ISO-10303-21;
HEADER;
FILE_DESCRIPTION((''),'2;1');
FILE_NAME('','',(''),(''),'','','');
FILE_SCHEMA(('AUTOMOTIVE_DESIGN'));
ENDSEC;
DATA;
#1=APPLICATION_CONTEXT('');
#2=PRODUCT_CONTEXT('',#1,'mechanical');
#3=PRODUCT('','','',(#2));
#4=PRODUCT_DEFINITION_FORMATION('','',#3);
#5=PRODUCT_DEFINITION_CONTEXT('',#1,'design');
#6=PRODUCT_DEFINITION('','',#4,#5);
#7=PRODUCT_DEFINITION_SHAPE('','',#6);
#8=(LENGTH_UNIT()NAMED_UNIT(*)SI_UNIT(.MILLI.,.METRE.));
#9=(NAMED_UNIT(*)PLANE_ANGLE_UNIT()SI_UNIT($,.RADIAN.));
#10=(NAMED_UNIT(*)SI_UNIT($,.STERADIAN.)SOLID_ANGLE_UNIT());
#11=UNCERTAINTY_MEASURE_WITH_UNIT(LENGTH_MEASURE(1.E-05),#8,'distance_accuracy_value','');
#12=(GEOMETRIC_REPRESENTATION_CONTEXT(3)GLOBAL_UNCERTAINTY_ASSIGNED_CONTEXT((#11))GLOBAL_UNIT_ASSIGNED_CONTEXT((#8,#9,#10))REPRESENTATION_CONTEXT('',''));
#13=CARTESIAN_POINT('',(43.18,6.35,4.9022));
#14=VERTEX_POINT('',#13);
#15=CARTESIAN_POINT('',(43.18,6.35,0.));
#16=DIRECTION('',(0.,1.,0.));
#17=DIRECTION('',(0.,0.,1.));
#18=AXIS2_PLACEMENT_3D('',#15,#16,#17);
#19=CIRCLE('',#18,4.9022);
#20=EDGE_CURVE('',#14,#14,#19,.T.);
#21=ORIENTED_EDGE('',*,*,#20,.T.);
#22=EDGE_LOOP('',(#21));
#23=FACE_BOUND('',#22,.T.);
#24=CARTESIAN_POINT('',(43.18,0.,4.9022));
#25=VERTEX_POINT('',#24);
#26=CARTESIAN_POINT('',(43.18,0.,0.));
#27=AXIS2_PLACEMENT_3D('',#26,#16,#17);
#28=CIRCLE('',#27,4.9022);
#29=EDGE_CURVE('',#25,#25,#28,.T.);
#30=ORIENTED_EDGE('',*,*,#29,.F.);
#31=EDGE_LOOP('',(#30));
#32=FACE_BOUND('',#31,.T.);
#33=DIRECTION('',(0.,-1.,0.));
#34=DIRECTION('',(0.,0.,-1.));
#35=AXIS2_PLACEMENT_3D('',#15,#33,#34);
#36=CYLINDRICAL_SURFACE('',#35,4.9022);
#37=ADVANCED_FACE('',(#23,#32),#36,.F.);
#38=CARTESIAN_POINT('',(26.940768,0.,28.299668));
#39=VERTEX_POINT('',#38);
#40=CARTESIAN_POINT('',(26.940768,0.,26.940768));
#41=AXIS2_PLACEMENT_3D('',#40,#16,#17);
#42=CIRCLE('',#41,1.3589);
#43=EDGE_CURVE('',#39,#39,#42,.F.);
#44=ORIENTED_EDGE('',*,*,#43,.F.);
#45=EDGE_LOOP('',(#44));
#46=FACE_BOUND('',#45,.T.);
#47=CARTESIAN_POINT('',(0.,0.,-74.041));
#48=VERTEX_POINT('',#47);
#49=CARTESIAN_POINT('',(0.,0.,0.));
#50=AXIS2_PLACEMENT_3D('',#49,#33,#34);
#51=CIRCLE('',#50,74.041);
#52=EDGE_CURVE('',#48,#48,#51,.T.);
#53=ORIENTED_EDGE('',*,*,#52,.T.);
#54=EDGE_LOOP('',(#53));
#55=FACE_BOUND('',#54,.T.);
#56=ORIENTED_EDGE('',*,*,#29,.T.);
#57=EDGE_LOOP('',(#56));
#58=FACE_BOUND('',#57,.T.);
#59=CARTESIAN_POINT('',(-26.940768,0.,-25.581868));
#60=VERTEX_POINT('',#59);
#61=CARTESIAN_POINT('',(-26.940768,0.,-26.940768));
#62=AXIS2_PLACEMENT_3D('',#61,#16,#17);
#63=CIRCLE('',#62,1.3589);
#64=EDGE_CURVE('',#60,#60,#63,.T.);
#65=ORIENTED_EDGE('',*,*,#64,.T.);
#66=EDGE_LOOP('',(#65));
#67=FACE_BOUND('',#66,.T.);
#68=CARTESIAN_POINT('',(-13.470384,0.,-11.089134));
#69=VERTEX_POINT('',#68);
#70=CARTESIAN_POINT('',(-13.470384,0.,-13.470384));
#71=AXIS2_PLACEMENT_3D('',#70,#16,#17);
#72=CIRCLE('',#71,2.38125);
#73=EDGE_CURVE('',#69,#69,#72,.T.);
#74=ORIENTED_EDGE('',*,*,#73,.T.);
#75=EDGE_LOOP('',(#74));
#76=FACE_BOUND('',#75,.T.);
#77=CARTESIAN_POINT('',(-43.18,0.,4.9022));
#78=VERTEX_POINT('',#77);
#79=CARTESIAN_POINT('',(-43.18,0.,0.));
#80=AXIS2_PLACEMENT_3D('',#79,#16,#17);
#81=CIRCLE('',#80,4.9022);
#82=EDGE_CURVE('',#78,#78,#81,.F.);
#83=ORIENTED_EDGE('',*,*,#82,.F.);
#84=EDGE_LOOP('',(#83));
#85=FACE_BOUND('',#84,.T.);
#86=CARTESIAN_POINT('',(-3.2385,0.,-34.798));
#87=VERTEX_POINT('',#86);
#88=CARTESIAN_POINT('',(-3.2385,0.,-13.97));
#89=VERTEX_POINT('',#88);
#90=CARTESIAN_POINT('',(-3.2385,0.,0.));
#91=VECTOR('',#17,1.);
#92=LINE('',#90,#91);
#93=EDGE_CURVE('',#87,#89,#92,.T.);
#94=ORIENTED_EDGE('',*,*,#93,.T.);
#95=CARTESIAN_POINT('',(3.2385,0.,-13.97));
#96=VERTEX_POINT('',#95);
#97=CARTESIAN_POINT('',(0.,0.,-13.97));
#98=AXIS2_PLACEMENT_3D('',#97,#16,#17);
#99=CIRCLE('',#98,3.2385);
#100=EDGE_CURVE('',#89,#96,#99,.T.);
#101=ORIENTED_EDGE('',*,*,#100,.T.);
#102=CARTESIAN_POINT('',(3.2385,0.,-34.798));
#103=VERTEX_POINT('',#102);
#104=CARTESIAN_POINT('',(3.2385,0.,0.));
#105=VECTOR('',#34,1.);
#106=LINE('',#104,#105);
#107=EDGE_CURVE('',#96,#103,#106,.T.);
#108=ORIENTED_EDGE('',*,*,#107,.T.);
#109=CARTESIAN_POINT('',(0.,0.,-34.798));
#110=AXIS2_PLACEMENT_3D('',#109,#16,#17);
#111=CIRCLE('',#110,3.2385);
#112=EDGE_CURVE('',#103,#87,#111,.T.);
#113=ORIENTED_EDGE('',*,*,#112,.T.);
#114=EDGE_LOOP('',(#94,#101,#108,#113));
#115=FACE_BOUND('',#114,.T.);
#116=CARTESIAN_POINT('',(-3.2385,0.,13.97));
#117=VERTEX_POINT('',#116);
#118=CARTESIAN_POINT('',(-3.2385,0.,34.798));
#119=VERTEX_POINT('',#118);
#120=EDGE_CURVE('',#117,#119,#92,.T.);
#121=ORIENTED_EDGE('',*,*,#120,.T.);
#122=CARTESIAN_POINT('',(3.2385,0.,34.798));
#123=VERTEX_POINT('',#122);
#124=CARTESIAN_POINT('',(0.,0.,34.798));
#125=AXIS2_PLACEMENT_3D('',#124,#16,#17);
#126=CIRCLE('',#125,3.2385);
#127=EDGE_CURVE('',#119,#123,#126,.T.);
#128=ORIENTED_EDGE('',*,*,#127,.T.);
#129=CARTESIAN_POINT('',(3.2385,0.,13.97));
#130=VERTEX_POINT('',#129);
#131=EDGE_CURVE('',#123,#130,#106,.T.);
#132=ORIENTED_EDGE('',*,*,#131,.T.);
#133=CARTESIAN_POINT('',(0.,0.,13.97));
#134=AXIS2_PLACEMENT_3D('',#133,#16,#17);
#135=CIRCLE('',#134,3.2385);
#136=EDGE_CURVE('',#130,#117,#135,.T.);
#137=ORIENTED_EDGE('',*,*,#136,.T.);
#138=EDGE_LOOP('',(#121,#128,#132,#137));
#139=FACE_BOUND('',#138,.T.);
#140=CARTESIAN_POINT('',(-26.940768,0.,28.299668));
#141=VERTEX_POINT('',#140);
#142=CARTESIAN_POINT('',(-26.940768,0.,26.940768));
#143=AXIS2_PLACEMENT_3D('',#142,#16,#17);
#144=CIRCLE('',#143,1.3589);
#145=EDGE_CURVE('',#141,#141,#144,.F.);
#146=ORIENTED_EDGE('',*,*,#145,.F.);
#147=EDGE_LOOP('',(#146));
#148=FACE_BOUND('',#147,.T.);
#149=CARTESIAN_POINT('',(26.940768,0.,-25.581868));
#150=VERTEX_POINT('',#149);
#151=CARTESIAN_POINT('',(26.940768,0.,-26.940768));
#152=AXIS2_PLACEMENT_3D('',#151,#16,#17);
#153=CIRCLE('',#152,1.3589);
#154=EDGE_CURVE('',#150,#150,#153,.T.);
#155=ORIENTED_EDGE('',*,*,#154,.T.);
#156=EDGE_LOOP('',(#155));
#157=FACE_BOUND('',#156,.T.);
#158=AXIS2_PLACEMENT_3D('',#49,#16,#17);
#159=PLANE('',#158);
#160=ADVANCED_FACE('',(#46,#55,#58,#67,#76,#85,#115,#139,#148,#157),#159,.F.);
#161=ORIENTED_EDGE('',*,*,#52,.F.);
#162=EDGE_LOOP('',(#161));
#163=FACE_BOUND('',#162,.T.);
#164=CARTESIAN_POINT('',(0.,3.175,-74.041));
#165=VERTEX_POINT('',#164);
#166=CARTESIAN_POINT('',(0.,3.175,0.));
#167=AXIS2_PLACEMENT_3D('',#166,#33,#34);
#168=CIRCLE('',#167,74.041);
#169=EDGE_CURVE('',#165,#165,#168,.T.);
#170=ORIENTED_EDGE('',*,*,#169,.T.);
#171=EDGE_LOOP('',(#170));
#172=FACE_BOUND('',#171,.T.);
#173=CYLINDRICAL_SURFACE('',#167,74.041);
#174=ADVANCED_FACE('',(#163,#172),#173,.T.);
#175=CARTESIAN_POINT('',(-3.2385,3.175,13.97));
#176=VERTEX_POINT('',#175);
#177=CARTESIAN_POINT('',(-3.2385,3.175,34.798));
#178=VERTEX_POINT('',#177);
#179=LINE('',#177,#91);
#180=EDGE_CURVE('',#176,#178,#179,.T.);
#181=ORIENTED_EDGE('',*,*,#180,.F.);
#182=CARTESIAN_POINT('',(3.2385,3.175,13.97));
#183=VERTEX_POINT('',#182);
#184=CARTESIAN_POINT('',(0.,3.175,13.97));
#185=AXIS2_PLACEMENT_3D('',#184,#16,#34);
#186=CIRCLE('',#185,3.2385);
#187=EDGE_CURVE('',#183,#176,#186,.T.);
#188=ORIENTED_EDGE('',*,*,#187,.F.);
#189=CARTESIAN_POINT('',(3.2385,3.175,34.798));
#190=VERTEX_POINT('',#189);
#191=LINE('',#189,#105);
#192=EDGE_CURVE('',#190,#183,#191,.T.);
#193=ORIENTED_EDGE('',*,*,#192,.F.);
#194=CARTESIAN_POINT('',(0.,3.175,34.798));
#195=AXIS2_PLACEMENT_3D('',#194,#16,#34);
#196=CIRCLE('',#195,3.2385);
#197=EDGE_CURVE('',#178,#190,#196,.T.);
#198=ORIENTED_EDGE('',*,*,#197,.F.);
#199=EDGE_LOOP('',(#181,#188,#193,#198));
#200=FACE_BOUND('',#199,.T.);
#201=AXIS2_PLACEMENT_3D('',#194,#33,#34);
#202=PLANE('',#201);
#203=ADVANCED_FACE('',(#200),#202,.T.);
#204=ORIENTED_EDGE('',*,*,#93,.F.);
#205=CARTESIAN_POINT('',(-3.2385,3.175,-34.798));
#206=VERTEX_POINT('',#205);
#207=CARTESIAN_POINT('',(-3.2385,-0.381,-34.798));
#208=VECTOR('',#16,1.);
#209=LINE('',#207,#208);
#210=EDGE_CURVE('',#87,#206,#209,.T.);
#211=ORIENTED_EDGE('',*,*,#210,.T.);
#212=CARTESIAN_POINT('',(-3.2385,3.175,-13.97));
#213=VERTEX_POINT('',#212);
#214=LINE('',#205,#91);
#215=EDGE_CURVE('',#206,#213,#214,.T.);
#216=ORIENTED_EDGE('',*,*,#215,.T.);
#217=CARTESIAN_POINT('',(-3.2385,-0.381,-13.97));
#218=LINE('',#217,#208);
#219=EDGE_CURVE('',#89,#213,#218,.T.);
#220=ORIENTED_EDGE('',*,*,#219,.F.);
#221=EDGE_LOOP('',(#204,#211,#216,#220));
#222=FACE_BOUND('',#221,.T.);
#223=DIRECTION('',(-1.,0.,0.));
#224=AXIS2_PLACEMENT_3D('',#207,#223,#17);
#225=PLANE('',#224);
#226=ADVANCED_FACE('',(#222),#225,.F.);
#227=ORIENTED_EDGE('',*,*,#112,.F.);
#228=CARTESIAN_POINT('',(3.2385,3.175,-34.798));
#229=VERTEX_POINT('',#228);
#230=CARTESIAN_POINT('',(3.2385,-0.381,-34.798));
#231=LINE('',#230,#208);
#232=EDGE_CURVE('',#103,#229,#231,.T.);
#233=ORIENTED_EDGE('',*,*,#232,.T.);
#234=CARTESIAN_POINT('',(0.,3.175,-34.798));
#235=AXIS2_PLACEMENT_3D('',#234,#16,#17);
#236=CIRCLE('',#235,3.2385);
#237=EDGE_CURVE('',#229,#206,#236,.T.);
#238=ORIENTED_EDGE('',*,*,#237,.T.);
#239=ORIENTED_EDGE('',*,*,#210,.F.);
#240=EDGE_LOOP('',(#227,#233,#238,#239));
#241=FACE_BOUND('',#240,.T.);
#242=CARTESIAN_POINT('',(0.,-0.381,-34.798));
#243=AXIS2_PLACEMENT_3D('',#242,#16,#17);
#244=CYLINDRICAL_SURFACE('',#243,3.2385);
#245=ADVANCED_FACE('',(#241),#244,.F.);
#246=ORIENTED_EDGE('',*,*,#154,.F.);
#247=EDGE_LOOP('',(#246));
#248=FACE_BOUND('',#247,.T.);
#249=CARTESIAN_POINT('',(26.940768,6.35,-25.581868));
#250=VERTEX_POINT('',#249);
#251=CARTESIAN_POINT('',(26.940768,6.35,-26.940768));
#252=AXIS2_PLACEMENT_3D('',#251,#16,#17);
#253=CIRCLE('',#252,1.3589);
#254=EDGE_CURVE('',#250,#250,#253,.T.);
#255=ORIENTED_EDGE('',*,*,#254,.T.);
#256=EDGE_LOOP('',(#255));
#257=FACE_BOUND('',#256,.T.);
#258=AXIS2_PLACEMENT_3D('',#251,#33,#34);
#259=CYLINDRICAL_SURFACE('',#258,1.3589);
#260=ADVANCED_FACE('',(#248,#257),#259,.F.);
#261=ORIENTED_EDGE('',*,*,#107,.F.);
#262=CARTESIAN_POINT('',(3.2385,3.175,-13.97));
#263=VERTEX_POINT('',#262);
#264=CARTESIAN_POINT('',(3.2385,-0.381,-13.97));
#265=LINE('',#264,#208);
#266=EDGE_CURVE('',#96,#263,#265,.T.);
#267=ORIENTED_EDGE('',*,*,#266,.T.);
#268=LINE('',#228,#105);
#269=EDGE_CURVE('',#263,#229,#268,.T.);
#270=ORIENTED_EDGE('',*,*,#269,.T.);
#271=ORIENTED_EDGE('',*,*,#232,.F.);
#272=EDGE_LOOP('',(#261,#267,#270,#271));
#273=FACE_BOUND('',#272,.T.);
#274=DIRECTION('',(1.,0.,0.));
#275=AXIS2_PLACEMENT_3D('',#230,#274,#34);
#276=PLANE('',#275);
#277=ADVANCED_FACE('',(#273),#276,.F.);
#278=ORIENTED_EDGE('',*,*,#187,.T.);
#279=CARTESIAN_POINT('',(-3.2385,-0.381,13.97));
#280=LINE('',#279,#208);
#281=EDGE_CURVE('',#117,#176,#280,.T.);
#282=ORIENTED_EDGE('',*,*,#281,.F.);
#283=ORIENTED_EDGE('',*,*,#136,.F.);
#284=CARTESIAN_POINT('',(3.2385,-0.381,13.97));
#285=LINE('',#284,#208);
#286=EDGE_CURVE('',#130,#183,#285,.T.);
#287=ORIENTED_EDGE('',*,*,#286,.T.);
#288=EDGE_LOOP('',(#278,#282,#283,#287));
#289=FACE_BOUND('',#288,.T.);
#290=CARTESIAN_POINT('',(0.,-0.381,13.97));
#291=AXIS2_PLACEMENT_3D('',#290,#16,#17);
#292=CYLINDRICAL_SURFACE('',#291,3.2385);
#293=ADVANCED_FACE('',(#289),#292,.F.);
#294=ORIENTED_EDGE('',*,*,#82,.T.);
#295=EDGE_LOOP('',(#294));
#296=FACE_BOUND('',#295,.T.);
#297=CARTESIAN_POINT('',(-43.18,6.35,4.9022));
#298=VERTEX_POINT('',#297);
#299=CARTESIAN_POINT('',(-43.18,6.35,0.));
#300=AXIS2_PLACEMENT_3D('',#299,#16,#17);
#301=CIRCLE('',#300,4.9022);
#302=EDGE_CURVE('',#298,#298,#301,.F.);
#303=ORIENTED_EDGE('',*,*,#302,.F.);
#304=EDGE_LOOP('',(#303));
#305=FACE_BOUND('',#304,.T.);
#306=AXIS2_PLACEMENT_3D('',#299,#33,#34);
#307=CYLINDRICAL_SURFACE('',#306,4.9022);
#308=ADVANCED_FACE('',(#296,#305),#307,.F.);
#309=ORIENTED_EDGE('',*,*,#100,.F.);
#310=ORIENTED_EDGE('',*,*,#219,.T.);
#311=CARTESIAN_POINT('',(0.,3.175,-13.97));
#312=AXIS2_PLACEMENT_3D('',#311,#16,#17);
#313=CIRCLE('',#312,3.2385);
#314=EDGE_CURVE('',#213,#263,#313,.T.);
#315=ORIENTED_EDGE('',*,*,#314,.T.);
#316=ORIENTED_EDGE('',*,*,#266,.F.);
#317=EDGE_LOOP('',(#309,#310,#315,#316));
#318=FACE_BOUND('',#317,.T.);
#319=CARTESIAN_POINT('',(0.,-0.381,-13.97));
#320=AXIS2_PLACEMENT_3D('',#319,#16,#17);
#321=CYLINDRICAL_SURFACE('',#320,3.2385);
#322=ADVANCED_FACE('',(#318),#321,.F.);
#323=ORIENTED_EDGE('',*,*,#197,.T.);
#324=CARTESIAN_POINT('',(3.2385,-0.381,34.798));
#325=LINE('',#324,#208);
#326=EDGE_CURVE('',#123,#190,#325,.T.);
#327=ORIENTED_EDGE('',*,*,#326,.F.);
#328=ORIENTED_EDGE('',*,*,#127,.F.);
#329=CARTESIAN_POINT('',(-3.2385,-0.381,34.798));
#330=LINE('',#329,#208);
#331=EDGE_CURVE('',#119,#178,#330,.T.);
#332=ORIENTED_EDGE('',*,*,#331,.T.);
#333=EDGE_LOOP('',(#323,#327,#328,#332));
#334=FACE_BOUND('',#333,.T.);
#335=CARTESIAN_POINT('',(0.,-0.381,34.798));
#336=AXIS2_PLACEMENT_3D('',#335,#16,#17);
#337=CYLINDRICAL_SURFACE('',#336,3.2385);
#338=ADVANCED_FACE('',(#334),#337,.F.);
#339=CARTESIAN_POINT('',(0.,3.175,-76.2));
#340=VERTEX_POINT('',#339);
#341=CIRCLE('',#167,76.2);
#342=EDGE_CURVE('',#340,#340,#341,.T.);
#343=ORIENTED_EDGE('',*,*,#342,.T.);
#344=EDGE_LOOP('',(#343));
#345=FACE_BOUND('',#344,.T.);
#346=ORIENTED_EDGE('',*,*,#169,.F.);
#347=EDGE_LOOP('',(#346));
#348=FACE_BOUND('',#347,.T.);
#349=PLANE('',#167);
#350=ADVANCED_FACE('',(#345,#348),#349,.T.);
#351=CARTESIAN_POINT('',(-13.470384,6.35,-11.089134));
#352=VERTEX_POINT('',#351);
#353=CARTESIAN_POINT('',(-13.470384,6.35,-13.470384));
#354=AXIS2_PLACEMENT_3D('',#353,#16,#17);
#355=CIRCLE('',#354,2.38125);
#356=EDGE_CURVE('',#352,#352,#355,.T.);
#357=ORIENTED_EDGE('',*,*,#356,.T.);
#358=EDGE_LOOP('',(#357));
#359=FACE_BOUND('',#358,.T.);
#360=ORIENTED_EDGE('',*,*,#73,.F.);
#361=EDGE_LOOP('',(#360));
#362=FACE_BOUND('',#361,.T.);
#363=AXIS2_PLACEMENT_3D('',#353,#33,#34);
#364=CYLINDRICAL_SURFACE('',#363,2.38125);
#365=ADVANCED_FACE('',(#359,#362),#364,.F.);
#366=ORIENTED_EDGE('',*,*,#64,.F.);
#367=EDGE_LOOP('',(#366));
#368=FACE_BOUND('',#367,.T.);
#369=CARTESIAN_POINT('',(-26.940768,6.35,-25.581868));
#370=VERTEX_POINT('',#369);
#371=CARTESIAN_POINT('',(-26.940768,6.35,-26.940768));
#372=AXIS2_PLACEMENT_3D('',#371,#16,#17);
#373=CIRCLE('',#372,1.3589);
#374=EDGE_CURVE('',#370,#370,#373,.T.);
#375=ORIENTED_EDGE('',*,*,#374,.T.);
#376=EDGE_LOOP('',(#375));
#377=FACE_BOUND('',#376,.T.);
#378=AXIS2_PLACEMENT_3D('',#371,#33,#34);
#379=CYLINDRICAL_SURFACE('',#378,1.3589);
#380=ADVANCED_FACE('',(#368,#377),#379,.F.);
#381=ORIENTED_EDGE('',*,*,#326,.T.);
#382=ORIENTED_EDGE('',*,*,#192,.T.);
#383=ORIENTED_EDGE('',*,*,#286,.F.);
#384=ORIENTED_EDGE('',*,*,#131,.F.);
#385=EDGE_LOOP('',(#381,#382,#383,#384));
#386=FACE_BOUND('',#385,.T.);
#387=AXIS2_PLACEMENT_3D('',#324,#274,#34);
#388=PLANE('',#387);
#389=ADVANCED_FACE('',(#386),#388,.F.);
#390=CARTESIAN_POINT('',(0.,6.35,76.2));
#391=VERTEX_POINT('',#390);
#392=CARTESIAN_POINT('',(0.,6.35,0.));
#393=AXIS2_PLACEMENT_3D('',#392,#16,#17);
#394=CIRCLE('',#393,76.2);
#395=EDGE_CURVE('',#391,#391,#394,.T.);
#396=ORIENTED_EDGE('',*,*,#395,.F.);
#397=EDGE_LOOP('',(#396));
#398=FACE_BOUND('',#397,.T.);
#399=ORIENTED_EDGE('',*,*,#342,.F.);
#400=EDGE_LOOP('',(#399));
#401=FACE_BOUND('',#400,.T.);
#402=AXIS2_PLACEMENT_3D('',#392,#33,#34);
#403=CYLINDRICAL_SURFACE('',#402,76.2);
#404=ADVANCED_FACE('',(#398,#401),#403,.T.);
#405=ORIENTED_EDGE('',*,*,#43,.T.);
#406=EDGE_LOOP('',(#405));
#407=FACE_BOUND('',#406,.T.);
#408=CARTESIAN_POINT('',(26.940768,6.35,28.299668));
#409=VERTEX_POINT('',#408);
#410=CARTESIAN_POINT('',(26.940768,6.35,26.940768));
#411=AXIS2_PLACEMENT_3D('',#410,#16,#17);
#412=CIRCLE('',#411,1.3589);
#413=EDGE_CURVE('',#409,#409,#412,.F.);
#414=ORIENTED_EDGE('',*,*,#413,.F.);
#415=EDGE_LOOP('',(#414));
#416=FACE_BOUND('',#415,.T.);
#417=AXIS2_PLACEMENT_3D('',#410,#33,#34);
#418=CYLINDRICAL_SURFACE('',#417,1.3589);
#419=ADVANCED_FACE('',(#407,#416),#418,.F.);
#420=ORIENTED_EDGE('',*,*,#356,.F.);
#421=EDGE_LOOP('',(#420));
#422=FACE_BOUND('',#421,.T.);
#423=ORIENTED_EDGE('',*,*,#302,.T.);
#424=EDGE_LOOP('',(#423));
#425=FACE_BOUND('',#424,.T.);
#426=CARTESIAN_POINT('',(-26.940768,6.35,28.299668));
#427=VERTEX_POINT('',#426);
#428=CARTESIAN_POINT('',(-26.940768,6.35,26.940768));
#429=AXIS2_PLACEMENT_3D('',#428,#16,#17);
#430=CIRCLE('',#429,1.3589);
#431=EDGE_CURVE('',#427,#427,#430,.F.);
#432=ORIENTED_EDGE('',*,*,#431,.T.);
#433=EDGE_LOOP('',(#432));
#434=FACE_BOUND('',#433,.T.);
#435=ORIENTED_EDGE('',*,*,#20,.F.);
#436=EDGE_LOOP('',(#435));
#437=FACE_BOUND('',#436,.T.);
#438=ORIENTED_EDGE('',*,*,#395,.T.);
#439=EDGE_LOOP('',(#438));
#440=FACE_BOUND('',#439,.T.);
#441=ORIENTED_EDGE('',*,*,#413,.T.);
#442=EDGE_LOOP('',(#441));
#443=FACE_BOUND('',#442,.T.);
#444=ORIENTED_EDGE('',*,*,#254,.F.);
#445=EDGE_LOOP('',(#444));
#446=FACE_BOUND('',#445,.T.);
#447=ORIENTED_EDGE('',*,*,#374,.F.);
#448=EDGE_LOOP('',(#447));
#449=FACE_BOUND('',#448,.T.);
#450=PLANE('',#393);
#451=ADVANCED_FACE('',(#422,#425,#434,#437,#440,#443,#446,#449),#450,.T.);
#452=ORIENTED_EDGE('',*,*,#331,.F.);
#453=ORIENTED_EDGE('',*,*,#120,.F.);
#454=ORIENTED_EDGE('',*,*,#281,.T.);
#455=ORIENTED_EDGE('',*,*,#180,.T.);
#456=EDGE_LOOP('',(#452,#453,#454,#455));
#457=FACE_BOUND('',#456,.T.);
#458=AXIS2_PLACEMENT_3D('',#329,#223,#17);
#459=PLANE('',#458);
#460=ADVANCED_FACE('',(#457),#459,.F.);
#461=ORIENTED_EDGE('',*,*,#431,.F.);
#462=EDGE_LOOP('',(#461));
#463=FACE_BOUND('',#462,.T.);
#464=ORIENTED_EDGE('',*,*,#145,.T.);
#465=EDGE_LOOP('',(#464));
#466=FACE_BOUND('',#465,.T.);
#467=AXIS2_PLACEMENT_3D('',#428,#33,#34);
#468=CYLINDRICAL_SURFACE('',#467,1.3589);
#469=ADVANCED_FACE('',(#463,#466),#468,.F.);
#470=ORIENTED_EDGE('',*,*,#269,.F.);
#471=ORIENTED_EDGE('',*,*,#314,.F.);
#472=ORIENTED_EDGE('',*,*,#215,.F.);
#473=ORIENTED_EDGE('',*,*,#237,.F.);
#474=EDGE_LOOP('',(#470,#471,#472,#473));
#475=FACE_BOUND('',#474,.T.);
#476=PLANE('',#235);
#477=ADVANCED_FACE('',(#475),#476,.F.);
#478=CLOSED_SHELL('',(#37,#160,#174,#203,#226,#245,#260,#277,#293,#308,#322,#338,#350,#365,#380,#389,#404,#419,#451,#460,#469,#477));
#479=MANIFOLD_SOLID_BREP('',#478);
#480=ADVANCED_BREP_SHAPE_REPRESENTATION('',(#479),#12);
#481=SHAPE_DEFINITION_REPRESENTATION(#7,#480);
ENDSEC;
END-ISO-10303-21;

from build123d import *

# Parameters (mm, degrees)
SKETCH1_R           = 76.2
SKETCH1_R_2         = 1.3589
SKETCH1_R_3         = 4.9022
SKETCH1_R_4         = 2.38125
BOSS_EXTRUDE1_DEPTH = 6.35
SKETCH2_R           = 76.2
SKETCH2_R_2         = 74.041
CUT_EXTRUDE1_DEPTH  = 3.175
CUT_EXTRUDE2_START  = -3.175
CUT_EXTRUDE2_DEPTH  = 3.556


with BuildPart() as part:
    # Sketch1 → Boss-Extrude1 (new body)
    with BuildSketch(Plane(origin=(0, 0, 0), x_dir=(1, 0, 0), z_dir=(0, 1, 0))):
        Circle(SKETCH1_R)
        with Locations((26.940768363, 26.940768363)):
            Circle(SKETCH1_R_2, mode=Mode.SUBTRACT)
        with Locations((26.940768363, -26.940768363)):
            Circle(SKETCH1_R_2, mode=Mode.SUBTRACT)
        with Locations((-26.940768363, 26.940768363)):
            Circle(SKETCH1_R_2, mode=Mode.SUBTRACT)
        with Locations((43.18, 0)):
            Circle(SKETCH1_R_3, mode=Mode.SUBTRACT)
        with Locations((-43.18, 0)):
            Circle(SKETCH1_R_3, mode=Mode.SUBTRACT)
        with Locations((-13.470384182, 13.470384182)):
            Circle(SKETCH1_R_4, mode=Mode.SUBTRACT)
        with Locations((-26.940768363, -26.940768363)):
            Circle(SKETCH1_R_2, mode=Mode.SUBTRACT)
    extrude(amount=BOSS_EXTRUDE1_DEPTH)

    # Sketch2 → Cut-Extrude1 (cut)
    with BuildSketch(Plane.XZ):
        Circle(SKETCH2_R)
        Circle(SKETCH2_R_2, mode=Mode.SUBTRACT)
    extrude(amount=-CUT_EXTRUDE1_DEPTH, mode=Mode.SUBTRACT)

    # Sketch3 → Cut-Extrude2 (cut)
    with BuildSketch(Plane(origin=(0, 6.35, 0), x_dir=(1, 0, 0), z_dir=(0, 1, 0)).offset(CUT_EXTRUDE2_START)):
        with BuildLine():
            Line((3.2385, 34.798), (3.2385, 13.97))
            ThreePointArc((3.2385, 13.97), (0, 10.7315), (-3.2385, 13.97))
            Line((-3.2385, 13.97), (-3.2385, 34.798))
            ThreePointArc((-3.2385, 34.798), (0, 38.0365), (3.2385, 34.798))
        make_face()
        with BuildLine():
            Line((3.2385, -34.798), (3.2385, -13.97))
            ThreePointArc((3.2385, -13.97), (0, -10.7315), (-3.2385, -13.97))
            Line((-3.2385, -13.97), (-3.2385, -34.798))
            ThreePointArc((-3.2385, -34.798), (0, -38.0365), (3.2385, -34.798))
        make_face()
    extrude(amount=-CUT_EXTRUDE2_DEPTH, mode=Mode.SUBTRACT)


solid = part.part
